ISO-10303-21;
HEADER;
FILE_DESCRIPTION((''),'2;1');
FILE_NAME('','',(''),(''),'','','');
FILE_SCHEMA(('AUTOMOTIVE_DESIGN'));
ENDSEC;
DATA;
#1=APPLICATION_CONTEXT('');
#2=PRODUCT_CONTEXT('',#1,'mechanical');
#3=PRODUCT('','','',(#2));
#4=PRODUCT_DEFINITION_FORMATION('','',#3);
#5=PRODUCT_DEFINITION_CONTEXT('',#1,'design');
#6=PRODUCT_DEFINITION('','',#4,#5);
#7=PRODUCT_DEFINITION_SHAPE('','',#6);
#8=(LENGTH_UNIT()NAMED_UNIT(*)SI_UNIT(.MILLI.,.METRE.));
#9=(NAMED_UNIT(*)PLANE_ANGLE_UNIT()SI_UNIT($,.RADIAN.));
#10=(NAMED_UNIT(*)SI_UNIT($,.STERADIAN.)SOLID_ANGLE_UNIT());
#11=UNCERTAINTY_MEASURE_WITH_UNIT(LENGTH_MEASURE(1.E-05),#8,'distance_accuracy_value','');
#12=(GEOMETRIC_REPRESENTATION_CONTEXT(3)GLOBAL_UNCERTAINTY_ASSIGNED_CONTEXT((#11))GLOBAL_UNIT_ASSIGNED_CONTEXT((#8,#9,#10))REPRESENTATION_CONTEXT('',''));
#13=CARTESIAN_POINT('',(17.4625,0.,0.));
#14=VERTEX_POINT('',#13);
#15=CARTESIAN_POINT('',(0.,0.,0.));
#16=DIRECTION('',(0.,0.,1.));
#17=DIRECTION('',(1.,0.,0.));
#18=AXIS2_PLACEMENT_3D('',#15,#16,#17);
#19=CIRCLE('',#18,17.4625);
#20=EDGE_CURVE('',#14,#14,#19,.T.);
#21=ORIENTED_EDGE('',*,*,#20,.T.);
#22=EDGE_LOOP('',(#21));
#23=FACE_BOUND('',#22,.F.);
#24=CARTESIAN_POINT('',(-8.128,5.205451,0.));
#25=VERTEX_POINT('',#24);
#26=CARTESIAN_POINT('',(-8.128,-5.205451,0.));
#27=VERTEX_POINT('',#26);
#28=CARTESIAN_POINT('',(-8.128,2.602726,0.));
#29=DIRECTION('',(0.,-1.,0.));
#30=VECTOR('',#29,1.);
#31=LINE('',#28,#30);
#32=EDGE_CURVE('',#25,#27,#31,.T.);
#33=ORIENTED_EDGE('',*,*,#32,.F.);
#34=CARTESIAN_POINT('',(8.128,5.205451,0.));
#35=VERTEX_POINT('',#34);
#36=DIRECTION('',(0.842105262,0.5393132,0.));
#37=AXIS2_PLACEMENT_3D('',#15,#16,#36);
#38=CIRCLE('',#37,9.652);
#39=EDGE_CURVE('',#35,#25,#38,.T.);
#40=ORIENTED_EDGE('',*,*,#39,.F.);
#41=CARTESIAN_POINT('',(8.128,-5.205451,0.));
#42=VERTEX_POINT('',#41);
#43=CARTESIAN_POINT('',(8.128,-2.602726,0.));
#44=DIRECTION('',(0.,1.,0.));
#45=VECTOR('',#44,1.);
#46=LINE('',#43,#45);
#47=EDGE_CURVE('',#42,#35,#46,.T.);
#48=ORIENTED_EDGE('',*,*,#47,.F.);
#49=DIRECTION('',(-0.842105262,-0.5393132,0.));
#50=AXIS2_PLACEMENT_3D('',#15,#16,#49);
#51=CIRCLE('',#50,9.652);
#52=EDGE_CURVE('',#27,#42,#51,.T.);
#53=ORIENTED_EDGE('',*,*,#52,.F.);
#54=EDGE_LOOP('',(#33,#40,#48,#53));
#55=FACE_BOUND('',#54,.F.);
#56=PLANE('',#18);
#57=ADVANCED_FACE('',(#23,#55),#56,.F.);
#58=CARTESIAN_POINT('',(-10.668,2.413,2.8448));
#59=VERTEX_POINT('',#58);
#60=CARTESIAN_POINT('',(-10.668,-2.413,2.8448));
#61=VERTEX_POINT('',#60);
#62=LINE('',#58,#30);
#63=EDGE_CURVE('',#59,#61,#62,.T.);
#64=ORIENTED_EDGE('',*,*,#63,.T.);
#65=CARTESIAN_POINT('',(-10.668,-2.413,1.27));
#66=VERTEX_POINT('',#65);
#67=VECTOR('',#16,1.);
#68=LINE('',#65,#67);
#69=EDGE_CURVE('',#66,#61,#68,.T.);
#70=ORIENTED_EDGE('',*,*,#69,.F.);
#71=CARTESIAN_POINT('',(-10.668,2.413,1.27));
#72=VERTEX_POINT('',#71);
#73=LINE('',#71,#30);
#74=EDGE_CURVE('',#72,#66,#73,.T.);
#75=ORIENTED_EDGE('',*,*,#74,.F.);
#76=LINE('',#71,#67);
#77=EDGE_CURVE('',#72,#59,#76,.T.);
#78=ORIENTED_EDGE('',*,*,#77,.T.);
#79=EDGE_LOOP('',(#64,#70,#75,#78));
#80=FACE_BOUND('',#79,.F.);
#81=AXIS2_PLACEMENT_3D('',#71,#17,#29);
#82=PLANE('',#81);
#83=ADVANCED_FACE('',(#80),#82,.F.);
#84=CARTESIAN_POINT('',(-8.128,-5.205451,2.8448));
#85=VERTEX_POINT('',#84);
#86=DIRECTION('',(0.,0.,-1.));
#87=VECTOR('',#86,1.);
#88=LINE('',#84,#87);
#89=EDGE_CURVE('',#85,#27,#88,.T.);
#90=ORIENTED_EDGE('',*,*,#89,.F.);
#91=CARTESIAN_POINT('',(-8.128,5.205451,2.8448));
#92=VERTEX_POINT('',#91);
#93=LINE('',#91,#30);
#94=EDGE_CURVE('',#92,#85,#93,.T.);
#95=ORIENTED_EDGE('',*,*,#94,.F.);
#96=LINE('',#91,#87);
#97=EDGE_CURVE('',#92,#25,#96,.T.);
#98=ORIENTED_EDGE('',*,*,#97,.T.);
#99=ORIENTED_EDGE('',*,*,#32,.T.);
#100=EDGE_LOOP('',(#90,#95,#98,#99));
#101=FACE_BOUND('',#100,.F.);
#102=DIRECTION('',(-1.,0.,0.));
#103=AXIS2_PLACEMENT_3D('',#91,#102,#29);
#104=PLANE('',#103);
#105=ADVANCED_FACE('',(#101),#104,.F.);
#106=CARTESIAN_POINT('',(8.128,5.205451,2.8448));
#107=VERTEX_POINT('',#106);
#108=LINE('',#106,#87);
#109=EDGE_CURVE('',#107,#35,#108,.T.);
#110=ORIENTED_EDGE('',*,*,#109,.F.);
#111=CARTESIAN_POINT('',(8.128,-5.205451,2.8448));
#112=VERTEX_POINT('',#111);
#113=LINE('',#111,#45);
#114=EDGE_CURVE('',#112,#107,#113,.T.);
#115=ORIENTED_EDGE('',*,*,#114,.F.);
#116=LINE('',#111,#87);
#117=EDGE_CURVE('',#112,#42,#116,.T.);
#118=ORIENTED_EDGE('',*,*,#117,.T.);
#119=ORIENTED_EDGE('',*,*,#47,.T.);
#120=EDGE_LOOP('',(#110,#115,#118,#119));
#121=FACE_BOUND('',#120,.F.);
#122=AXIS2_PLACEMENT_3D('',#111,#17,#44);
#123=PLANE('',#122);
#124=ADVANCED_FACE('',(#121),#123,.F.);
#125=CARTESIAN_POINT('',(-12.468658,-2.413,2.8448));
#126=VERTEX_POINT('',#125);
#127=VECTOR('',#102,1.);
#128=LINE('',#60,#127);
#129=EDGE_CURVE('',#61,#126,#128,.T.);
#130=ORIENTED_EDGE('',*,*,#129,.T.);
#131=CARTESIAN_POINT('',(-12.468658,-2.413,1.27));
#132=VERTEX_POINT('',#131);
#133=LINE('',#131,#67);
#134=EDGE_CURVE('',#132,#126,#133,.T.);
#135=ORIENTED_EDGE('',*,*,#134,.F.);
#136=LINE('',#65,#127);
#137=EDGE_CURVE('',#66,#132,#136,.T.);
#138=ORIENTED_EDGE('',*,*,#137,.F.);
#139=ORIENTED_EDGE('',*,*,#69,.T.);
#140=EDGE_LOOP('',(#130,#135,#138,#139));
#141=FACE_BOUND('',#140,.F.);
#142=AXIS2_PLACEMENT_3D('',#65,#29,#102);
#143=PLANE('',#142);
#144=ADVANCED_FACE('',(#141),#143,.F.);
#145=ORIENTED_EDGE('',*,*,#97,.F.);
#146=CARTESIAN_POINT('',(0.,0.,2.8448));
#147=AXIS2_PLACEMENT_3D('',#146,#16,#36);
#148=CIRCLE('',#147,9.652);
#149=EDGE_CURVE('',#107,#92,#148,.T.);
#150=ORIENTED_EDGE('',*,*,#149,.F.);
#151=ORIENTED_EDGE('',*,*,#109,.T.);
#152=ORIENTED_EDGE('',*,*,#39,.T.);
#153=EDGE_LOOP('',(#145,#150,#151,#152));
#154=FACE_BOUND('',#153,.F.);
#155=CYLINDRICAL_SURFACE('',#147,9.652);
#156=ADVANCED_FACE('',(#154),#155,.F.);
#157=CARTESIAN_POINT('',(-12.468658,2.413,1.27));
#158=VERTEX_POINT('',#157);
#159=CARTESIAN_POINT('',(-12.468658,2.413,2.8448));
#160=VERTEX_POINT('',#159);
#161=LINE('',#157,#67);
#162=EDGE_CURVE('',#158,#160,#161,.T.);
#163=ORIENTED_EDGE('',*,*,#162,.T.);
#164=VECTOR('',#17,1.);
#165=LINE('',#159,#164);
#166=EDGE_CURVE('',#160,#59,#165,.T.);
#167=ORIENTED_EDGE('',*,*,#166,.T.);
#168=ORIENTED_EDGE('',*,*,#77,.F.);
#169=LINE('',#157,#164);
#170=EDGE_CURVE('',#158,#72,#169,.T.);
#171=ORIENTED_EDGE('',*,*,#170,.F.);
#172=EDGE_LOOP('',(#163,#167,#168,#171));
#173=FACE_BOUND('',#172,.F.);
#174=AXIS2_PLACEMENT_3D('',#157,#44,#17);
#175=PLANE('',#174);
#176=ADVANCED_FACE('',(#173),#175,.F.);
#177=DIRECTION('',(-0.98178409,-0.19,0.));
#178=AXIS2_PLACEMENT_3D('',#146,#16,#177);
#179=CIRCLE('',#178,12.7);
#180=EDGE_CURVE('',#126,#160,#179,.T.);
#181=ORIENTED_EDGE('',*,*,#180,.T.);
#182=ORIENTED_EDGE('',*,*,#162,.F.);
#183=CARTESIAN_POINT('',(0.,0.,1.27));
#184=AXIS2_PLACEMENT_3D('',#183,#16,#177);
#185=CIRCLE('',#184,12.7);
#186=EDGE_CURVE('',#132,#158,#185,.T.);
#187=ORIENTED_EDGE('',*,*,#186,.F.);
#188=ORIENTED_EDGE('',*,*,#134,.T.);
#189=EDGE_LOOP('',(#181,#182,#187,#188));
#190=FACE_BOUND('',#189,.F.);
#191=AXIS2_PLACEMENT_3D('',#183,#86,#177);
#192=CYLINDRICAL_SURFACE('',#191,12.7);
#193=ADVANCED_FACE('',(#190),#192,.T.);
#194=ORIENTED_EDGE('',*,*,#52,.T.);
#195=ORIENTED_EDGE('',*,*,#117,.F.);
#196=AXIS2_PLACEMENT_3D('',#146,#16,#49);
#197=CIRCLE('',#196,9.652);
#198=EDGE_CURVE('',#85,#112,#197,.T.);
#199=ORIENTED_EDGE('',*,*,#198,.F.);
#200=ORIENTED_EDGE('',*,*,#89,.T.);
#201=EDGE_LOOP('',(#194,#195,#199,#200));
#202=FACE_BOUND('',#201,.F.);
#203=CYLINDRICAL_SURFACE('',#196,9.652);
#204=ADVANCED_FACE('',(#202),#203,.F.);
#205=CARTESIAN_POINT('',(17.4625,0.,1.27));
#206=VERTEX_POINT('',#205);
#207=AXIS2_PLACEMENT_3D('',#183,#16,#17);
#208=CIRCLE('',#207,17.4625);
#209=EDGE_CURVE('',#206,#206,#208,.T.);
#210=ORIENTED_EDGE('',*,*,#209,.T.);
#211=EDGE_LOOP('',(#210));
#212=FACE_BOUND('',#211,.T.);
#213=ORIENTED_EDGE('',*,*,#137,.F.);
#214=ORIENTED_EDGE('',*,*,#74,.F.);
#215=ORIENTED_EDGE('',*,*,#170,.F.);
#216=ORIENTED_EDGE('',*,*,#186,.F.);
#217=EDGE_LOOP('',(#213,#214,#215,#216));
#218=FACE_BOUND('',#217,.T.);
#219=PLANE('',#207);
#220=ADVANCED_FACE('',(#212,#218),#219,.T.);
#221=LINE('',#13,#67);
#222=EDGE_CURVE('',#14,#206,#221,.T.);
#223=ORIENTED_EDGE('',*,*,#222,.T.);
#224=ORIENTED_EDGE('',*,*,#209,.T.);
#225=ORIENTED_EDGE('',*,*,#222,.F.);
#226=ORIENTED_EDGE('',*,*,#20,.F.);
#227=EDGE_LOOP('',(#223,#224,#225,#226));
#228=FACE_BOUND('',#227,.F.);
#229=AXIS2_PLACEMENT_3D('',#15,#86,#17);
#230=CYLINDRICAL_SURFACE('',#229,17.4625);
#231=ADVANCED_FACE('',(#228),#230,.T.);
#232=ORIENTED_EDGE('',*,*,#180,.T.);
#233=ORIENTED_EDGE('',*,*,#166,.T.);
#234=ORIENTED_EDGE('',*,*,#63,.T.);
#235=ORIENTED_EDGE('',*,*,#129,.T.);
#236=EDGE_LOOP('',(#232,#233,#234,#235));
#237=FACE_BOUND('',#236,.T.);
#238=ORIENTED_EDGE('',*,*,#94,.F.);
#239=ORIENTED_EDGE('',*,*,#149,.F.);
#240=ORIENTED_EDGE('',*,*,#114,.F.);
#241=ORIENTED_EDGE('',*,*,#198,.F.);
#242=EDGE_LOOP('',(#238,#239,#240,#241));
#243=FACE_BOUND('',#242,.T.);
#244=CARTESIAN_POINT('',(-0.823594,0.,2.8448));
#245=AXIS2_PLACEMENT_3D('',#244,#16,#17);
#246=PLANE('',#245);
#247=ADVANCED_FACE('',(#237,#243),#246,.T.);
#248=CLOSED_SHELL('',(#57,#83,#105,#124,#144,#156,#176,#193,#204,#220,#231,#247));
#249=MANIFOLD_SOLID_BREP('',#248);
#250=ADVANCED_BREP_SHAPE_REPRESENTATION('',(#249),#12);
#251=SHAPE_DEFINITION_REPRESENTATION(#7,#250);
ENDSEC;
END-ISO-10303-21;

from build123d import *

# Parameters (mm, degrees)
F0_R     = 17.4625
F1_DEPTH = 1.27
F3_DEPTH = 1.5748
F5_DEPTH = 2.8458


with BuildPart() as f1:
    # F0 (on Top) → F1 (new body)
    with BuildSketch(Plane.XY):
        Circle(F0_R)
    extrude(amount=F1_DEPTH)

    # F2 (on face) → F3 (join)
    with BuildSketch(Plane.XY.offset(1.27)):
        with BuildLine():
            Line((-10.668, -2.413), (-12.468658, -2.413))
            ThreePointArc((-12.468658, -2.413), (12.7, 0), (-12.468658, 2.413))
            Line((-12.468658, 2.413), (-10.668, 2.413))
            Line((-10.668, 2.413), (-10.668, -2.413))
        make_face()
    extrude(amount=F3_DEPTH)

    # F4 (on face) → F5 (cut, through all)
    with BuildSketch(Plane.XY.offset(2.8448)):
        with BuildLine():
            Line((-8.128, 5.205451), (-8.128, -5.205451))
            ThreePointArc((-8.128, -5.205451), (0, -9.652), (8.128, -5.205451))
            Line((8.128, -5.205451), (8.128, 5.205451))
            ThreePointArc((8.128, 5.205451), (0, 9.652), (-8.128, 5.205451))
        make_face()
    extrude(amount=-F5_DEPTH, mode=Mode.SUBTRACT)


solid = f1.part
